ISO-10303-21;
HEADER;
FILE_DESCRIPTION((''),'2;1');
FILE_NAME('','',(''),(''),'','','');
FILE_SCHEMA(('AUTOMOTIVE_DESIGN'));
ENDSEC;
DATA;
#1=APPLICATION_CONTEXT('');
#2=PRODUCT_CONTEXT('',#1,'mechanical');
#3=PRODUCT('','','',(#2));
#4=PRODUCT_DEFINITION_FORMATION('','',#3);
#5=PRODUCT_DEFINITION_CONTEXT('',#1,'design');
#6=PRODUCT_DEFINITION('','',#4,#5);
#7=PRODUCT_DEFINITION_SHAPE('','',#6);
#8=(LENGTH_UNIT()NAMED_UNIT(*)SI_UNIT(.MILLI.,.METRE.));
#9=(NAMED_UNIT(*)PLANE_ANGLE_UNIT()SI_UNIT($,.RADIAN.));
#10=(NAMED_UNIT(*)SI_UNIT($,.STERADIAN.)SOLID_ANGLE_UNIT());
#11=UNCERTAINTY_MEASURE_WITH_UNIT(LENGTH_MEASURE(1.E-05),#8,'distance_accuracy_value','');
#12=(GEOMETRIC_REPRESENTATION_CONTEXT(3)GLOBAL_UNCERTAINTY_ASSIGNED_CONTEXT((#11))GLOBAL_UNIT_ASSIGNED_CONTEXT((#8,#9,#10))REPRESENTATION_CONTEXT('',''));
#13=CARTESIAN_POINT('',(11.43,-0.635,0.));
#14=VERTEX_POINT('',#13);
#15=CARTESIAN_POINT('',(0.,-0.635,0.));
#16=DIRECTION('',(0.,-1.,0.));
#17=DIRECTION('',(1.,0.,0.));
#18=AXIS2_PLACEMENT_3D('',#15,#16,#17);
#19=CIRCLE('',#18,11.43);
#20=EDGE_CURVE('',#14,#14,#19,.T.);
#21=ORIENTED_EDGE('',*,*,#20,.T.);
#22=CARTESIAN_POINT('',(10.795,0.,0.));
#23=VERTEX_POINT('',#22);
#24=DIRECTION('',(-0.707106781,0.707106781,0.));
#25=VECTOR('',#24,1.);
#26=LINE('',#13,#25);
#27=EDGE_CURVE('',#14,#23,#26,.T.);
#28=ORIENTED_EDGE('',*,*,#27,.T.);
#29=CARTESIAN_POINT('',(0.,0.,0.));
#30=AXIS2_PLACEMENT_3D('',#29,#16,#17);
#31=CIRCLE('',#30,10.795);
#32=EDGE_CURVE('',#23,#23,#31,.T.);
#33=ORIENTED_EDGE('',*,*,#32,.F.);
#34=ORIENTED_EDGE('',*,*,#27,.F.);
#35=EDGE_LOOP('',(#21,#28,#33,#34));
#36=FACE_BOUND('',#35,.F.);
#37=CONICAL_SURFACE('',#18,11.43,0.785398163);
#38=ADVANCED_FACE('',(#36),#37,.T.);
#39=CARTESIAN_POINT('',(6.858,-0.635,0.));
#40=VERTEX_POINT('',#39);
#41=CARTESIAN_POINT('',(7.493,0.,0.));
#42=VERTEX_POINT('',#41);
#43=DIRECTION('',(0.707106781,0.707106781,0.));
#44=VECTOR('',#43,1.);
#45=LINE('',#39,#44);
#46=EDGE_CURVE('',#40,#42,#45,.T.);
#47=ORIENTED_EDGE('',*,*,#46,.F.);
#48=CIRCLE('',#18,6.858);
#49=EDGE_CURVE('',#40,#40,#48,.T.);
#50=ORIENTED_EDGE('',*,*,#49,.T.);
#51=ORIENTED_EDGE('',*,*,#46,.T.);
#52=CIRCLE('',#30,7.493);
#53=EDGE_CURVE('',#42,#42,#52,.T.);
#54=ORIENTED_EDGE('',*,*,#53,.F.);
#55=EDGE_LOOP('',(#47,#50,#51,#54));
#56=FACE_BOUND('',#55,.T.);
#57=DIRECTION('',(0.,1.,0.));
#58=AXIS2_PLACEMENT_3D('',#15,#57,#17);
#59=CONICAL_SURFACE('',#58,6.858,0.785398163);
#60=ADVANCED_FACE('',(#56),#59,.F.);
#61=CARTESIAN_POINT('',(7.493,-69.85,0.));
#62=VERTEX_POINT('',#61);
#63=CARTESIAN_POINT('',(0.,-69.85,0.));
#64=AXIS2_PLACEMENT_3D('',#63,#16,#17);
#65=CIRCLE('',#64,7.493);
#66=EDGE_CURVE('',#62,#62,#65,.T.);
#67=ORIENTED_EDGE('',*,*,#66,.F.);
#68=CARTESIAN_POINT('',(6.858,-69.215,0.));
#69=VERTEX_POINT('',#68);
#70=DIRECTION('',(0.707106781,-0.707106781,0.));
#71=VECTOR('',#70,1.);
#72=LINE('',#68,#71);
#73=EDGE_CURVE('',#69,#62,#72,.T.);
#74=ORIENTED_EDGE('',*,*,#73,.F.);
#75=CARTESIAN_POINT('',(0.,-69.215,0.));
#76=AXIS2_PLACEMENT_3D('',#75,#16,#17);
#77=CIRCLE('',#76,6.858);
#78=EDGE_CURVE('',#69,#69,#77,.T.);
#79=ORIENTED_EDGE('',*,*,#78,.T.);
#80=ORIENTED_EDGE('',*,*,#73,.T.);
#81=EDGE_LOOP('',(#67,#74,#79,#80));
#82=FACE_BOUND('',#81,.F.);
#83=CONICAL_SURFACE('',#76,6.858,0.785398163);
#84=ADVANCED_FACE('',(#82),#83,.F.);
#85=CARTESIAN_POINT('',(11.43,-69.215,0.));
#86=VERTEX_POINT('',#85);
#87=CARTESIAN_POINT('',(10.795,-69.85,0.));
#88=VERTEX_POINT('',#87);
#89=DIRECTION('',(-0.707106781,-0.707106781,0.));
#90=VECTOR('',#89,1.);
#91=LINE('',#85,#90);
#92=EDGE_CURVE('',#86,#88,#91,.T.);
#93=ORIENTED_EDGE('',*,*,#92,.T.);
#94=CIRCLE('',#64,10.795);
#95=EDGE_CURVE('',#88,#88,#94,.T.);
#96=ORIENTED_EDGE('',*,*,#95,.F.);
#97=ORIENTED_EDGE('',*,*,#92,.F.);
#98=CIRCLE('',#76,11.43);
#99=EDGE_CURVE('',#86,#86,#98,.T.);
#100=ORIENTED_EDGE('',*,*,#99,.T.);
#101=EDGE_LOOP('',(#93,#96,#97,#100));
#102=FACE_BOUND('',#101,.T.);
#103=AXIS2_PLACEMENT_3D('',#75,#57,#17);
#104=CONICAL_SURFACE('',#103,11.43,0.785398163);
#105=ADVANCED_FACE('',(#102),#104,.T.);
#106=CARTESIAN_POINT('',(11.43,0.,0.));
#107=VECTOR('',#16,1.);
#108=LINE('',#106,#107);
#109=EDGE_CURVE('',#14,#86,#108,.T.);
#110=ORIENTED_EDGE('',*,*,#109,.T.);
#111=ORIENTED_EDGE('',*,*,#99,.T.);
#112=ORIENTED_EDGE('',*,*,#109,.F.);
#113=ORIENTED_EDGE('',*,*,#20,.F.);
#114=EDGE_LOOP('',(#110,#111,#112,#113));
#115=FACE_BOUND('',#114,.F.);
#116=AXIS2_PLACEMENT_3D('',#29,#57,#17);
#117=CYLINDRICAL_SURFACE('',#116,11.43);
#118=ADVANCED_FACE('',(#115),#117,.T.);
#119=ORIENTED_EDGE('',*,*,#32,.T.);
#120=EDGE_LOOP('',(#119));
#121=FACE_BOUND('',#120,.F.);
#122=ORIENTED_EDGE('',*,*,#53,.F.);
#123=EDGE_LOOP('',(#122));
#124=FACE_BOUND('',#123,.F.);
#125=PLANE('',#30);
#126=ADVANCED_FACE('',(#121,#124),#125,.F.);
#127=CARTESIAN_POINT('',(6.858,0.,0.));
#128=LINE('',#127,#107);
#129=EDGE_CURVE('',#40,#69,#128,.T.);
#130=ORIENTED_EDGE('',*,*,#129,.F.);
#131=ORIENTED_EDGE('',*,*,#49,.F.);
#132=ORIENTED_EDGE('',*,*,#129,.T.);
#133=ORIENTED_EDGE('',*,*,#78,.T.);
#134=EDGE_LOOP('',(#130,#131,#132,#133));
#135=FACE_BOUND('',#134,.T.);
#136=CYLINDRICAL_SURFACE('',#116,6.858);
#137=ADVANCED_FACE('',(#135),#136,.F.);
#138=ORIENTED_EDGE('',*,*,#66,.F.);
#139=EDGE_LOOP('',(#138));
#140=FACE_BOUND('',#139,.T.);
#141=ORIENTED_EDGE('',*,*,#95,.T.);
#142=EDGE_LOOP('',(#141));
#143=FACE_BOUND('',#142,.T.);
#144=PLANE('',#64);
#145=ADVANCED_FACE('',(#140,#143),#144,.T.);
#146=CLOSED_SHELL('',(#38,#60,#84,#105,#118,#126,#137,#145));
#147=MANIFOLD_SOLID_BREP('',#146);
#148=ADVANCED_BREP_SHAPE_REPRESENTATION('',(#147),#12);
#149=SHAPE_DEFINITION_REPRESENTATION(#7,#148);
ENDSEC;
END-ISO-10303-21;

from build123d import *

# Parameters (mm, degrees)
F0_R     = 11.43
F0_R_2   = 6.858
F1_DEPTH = 69.85
F2_SIZE  = 0.635


with BuildPart() as f1:
    # F0 (on Front) → F1 (new body)
    with BuildSketch(Plane.XZ):
        Circle(F0_R)
        Circle(F0_R_2, mode=Mode.SUBTRACT)
    extrude(amount=F1_DEPTH)

    # F2
    f2_edges = [f1.edges().sort_by_distance(p)[0] for p in [
        (-6.858, -69.85, 0),
        (-11.43, -69.85, 0),
        (-11.43, 0, 0),
        (6.858, -34.925, 0),
        (-6.858, 0, 0),
    ]]
    chamfer(f2_edges, length=F2_SIZE)


solid = f1.part
